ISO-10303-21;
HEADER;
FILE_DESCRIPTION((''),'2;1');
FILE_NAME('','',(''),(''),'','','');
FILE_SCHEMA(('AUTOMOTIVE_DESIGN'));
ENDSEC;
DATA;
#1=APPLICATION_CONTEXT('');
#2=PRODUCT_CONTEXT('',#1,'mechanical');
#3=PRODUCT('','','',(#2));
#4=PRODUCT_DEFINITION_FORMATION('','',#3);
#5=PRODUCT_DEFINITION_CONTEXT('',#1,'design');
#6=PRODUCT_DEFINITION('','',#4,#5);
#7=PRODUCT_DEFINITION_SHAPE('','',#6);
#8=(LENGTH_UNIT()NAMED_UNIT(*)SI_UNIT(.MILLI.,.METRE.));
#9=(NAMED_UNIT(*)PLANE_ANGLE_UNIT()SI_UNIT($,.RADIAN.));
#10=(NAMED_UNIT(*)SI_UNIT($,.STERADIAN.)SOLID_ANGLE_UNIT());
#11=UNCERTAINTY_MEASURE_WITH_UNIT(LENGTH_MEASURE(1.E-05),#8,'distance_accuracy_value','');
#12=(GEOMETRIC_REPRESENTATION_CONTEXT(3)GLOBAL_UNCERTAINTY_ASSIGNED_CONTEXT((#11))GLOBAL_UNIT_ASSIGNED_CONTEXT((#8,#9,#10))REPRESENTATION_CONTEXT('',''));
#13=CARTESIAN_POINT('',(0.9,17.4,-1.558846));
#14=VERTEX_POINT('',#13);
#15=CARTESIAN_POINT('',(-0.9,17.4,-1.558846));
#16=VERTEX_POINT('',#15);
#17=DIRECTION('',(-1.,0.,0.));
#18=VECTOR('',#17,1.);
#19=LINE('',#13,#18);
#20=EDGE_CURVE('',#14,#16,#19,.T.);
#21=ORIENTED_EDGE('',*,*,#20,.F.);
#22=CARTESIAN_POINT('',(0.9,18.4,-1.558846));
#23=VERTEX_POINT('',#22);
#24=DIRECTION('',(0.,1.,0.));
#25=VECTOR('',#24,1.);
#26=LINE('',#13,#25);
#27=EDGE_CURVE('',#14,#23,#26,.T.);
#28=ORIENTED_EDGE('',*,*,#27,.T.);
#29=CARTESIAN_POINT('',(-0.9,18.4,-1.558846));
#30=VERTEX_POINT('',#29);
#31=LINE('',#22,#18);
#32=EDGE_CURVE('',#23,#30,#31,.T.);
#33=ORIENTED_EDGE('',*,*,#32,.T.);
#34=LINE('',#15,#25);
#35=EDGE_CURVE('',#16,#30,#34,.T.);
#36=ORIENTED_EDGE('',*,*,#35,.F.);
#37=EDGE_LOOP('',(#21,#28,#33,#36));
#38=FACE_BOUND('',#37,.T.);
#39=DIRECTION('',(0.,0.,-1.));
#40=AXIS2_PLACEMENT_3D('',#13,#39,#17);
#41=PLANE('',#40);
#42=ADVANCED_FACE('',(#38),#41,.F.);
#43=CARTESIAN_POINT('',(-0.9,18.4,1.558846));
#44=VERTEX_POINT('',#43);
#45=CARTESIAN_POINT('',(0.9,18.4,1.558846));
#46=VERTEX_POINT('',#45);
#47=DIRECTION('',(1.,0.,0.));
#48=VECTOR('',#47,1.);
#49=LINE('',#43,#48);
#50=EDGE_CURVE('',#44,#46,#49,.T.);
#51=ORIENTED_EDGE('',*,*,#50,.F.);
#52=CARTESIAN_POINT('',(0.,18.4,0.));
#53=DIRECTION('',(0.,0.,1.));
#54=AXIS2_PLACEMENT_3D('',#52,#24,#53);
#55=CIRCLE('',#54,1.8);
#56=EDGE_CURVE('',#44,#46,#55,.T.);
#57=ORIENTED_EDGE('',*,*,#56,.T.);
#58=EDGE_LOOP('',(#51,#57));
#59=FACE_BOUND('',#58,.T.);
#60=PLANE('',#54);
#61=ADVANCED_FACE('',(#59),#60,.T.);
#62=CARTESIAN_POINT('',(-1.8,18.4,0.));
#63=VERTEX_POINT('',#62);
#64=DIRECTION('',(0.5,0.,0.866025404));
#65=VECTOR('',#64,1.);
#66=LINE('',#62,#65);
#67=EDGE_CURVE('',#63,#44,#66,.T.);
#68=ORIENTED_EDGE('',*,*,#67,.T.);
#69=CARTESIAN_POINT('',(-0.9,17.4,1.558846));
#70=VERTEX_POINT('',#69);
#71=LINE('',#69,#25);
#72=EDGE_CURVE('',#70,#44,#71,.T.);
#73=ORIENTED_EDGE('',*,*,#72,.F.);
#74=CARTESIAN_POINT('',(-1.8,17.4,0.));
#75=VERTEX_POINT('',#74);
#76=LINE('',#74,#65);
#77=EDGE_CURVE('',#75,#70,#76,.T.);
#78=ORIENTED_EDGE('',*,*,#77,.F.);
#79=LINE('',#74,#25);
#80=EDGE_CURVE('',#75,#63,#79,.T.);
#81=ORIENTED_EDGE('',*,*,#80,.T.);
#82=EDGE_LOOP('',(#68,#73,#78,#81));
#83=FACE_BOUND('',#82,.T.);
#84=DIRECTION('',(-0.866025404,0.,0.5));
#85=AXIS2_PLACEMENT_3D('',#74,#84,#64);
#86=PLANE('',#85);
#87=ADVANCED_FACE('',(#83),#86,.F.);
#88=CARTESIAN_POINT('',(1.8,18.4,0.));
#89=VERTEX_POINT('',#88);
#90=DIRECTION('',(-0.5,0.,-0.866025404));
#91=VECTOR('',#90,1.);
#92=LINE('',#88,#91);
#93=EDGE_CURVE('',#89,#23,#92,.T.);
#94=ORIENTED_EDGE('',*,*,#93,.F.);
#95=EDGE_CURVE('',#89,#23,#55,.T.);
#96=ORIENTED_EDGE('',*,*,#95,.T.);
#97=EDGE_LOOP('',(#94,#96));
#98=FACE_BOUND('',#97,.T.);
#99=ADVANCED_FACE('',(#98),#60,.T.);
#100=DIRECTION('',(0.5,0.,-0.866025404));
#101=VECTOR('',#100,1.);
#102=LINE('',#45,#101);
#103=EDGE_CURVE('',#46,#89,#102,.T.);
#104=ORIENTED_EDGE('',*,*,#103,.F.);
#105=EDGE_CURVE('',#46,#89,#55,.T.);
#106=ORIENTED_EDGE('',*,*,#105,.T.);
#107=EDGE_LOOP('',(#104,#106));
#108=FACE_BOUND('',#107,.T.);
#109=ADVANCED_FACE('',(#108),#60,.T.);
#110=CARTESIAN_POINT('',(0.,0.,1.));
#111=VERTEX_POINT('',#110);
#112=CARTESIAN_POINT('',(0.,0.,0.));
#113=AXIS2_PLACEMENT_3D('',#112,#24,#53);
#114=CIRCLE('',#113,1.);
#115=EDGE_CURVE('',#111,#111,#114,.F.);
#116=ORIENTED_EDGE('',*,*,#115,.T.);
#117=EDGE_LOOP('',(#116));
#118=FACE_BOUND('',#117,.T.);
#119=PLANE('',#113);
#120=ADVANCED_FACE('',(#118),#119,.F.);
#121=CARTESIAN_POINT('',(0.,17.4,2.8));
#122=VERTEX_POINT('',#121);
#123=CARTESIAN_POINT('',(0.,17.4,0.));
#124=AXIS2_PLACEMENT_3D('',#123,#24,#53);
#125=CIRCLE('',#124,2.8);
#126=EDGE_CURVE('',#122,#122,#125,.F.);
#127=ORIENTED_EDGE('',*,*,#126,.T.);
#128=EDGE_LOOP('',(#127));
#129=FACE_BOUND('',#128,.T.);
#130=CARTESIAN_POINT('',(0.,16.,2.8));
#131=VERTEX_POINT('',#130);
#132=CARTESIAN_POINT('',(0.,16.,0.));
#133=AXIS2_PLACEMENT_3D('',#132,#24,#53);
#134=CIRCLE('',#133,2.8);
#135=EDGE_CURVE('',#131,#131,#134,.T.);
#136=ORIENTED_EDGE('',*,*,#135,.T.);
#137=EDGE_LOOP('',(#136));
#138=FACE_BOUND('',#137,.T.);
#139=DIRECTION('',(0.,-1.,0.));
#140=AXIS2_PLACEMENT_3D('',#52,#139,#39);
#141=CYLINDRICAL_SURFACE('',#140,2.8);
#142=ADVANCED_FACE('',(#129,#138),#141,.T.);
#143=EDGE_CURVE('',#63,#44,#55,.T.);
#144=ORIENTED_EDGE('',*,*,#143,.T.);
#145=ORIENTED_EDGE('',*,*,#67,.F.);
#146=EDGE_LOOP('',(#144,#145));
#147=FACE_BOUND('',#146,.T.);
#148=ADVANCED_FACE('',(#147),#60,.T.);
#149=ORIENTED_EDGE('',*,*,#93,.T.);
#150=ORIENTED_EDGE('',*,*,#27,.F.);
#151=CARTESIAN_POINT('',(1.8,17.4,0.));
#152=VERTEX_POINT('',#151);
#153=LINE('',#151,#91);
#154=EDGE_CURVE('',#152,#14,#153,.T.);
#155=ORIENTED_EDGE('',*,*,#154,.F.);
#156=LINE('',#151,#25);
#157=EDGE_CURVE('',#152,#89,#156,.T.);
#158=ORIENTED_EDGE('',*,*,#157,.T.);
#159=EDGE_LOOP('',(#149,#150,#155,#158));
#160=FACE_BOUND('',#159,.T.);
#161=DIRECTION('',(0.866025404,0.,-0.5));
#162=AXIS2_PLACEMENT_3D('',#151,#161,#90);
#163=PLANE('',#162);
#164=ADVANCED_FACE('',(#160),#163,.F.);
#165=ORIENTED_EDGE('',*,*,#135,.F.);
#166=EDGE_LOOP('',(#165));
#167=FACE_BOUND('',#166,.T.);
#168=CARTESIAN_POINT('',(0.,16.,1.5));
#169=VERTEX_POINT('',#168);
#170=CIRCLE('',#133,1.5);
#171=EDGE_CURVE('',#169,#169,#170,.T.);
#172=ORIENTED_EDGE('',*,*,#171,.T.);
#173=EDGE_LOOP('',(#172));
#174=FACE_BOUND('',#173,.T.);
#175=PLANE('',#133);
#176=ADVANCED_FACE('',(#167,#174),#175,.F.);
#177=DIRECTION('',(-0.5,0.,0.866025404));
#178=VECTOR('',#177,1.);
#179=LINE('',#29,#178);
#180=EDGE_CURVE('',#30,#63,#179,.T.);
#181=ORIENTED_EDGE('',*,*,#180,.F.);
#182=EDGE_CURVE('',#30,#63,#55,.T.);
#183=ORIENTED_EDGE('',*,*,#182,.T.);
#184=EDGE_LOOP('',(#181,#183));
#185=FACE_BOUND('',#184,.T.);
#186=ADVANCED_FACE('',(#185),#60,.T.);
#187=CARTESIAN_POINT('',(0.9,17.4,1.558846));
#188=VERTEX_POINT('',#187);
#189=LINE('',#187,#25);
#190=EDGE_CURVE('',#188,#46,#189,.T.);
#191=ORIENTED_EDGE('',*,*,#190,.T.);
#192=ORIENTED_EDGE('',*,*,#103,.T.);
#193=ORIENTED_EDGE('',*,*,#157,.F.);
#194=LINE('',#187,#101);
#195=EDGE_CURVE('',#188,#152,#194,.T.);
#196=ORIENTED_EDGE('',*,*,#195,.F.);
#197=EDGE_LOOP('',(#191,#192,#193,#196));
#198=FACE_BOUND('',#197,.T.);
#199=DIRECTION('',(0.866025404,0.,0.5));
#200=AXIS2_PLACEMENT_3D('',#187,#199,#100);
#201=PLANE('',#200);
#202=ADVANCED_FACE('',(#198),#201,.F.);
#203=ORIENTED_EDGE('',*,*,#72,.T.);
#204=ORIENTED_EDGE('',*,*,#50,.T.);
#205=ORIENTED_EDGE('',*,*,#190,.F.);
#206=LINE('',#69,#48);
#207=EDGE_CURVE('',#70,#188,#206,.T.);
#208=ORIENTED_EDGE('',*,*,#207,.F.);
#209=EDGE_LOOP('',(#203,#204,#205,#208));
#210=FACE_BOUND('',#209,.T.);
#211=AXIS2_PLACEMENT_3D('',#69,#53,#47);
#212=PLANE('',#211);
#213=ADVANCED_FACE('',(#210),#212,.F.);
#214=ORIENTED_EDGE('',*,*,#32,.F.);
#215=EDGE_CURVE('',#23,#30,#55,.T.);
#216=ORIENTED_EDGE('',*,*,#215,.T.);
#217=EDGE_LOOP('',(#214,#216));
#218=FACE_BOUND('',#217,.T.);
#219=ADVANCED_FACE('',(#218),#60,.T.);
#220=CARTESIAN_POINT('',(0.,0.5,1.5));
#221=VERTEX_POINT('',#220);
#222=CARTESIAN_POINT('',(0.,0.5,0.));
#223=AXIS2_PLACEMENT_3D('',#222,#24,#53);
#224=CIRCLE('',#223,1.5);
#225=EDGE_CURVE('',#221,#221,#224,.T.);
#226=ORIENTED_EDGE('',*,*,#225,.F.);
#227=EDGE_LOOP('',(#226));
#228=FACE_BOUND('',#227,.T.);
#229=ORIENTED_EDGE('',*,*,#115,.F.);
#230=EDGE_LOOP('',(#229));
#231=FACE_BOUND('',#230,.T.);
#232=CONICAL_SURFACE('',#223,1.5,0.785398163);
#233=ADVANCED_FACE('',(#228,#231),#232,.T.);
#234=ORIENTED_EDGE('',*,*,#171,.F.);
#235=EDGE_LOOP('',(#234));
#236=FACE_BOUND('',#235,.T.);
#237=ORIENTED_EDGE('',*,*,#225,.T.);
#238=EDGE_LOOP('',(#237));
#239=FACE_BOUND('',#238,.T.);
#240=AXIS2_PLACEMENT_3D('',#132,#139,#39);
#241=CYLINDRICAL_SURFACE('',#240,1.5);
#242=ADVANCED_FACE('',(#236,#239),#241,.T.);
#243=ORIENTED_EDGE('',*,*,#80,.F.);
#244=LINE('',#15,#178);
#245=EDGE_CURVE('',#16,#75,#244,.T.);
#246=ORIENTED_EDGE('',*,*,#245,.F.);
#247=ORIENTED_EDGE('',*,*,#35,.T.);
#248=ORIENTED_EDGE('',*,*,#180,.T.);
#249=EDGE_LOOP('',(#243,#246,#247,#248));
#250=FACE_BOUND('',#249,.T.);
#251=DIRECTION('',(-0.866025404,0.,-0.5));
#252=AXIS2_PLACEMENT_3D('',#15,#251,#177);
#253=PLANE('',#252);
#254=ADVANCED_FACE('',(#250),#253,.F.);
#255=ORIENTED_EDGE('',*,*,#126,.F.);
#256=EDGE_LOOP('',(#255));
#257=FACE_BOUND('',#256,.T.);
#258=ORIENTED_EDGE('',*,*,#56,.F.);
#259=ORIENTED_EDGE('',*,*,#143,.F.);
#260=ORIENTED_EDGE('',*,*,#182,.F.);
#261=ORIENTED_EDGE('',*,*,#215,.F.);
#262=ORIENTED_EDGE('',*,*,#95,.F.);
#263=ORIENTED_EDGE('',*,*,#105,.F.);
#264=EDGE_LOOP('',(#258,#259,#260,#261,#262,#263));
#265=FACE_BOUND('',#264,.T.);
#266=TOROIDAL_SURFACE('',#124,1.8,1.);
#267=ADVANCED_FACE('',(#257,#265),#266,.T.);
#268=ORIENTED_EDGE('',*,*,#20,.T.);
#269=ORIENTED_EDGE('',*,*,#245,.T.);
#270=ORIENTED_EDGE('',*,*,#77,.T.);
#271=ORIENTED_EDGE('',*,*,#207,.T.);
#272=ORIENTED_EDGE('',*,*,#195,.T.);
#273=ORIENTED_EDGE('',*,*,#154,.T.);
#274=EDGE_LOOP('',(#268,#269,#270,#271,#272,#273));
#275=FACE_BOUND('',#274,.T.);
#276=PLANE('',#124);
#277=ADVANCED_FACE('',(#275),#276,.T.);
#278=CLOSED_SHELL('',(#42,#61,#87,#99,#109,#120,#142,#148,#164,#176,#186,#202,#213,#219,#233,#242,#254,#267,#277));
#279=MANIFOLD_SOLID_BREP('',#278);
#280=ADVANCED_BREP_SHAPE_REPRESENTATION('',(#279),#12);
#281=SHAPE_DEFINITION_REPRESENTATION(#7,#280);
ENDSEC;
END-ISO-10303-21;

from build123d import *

# Parameters (mm, degrees)
SKETCH1_R           = 1.5
BOSS_EXTRUDE1_DEPTH = 16
SKETCH2_R           = 2.8
BOSS_EXTRUDE2_DEPTH = 2.4
FILLET1_R           = 1
CUT_EXTRUDE1_DEPTH  = 1
CHAMFER1_SIZE       = 0.5


with BuildPart() as part:
    # Sketch1 → Boss-Extrude1 (new body)
    with BuildSketch(Plane(origin=(0, 0, 0), x_dir=(1, 0, 0), z_dir=(0, 1, 0))):
        with Locations(Location((0, 0, 0), (0, 0, 270))):
            Circle(SKETCH1_R)
    extrude(amount=BOSS_EXTRUDE1_DEPTH)

    # Sketch2 → Boss-Extrude2 (add)
    with BuildSketch(Plane(origin=(0, 16, 0), x_dir=(1, 0, 0), z_dir=(0, 1, 0))):
        with Locations(Location((0, 0, 0), (0, 0, 270))):
            Circle(SKETCH2_R)
    extrude(amount=BOSS_EXTRUDE2_DEPTH)

    # Fillet1
    fillet1_edges = [part.edges().sort_by_distance(p)[0] for p in [
        (0, 18.4, -2.8),
    ]]
    fillet(fillet1_edges, radius=FILLET1_R)

    # Sketch3 → Cut-Extrude1 (cut)
    with BuildSketch(Plane(origin=(0, 18.4, 0), x_dir=(1, 0, 0), z_dir=(0, 1, 0))):
        Polygon((1.8, 0), (0.9, 1.558845727), (-0.9, 1.558845727), (-1.8, 0), (-0.9, -1.558845727), (0.9, -1.558845727), align=None)
    extrude(amount=-CUT_EXTRUDE1_DEPTH, mode=Mode.SUBTRACT)

    # Chamfer1
    chamfer1_edges = [part.edges().sort_by_distance(p)[0] for p in [
        (0, 0, -1.5),
    ]]
    chamfer(chamfer1_edges, length=CHAMFER1_SIZE)


solid = part.part
